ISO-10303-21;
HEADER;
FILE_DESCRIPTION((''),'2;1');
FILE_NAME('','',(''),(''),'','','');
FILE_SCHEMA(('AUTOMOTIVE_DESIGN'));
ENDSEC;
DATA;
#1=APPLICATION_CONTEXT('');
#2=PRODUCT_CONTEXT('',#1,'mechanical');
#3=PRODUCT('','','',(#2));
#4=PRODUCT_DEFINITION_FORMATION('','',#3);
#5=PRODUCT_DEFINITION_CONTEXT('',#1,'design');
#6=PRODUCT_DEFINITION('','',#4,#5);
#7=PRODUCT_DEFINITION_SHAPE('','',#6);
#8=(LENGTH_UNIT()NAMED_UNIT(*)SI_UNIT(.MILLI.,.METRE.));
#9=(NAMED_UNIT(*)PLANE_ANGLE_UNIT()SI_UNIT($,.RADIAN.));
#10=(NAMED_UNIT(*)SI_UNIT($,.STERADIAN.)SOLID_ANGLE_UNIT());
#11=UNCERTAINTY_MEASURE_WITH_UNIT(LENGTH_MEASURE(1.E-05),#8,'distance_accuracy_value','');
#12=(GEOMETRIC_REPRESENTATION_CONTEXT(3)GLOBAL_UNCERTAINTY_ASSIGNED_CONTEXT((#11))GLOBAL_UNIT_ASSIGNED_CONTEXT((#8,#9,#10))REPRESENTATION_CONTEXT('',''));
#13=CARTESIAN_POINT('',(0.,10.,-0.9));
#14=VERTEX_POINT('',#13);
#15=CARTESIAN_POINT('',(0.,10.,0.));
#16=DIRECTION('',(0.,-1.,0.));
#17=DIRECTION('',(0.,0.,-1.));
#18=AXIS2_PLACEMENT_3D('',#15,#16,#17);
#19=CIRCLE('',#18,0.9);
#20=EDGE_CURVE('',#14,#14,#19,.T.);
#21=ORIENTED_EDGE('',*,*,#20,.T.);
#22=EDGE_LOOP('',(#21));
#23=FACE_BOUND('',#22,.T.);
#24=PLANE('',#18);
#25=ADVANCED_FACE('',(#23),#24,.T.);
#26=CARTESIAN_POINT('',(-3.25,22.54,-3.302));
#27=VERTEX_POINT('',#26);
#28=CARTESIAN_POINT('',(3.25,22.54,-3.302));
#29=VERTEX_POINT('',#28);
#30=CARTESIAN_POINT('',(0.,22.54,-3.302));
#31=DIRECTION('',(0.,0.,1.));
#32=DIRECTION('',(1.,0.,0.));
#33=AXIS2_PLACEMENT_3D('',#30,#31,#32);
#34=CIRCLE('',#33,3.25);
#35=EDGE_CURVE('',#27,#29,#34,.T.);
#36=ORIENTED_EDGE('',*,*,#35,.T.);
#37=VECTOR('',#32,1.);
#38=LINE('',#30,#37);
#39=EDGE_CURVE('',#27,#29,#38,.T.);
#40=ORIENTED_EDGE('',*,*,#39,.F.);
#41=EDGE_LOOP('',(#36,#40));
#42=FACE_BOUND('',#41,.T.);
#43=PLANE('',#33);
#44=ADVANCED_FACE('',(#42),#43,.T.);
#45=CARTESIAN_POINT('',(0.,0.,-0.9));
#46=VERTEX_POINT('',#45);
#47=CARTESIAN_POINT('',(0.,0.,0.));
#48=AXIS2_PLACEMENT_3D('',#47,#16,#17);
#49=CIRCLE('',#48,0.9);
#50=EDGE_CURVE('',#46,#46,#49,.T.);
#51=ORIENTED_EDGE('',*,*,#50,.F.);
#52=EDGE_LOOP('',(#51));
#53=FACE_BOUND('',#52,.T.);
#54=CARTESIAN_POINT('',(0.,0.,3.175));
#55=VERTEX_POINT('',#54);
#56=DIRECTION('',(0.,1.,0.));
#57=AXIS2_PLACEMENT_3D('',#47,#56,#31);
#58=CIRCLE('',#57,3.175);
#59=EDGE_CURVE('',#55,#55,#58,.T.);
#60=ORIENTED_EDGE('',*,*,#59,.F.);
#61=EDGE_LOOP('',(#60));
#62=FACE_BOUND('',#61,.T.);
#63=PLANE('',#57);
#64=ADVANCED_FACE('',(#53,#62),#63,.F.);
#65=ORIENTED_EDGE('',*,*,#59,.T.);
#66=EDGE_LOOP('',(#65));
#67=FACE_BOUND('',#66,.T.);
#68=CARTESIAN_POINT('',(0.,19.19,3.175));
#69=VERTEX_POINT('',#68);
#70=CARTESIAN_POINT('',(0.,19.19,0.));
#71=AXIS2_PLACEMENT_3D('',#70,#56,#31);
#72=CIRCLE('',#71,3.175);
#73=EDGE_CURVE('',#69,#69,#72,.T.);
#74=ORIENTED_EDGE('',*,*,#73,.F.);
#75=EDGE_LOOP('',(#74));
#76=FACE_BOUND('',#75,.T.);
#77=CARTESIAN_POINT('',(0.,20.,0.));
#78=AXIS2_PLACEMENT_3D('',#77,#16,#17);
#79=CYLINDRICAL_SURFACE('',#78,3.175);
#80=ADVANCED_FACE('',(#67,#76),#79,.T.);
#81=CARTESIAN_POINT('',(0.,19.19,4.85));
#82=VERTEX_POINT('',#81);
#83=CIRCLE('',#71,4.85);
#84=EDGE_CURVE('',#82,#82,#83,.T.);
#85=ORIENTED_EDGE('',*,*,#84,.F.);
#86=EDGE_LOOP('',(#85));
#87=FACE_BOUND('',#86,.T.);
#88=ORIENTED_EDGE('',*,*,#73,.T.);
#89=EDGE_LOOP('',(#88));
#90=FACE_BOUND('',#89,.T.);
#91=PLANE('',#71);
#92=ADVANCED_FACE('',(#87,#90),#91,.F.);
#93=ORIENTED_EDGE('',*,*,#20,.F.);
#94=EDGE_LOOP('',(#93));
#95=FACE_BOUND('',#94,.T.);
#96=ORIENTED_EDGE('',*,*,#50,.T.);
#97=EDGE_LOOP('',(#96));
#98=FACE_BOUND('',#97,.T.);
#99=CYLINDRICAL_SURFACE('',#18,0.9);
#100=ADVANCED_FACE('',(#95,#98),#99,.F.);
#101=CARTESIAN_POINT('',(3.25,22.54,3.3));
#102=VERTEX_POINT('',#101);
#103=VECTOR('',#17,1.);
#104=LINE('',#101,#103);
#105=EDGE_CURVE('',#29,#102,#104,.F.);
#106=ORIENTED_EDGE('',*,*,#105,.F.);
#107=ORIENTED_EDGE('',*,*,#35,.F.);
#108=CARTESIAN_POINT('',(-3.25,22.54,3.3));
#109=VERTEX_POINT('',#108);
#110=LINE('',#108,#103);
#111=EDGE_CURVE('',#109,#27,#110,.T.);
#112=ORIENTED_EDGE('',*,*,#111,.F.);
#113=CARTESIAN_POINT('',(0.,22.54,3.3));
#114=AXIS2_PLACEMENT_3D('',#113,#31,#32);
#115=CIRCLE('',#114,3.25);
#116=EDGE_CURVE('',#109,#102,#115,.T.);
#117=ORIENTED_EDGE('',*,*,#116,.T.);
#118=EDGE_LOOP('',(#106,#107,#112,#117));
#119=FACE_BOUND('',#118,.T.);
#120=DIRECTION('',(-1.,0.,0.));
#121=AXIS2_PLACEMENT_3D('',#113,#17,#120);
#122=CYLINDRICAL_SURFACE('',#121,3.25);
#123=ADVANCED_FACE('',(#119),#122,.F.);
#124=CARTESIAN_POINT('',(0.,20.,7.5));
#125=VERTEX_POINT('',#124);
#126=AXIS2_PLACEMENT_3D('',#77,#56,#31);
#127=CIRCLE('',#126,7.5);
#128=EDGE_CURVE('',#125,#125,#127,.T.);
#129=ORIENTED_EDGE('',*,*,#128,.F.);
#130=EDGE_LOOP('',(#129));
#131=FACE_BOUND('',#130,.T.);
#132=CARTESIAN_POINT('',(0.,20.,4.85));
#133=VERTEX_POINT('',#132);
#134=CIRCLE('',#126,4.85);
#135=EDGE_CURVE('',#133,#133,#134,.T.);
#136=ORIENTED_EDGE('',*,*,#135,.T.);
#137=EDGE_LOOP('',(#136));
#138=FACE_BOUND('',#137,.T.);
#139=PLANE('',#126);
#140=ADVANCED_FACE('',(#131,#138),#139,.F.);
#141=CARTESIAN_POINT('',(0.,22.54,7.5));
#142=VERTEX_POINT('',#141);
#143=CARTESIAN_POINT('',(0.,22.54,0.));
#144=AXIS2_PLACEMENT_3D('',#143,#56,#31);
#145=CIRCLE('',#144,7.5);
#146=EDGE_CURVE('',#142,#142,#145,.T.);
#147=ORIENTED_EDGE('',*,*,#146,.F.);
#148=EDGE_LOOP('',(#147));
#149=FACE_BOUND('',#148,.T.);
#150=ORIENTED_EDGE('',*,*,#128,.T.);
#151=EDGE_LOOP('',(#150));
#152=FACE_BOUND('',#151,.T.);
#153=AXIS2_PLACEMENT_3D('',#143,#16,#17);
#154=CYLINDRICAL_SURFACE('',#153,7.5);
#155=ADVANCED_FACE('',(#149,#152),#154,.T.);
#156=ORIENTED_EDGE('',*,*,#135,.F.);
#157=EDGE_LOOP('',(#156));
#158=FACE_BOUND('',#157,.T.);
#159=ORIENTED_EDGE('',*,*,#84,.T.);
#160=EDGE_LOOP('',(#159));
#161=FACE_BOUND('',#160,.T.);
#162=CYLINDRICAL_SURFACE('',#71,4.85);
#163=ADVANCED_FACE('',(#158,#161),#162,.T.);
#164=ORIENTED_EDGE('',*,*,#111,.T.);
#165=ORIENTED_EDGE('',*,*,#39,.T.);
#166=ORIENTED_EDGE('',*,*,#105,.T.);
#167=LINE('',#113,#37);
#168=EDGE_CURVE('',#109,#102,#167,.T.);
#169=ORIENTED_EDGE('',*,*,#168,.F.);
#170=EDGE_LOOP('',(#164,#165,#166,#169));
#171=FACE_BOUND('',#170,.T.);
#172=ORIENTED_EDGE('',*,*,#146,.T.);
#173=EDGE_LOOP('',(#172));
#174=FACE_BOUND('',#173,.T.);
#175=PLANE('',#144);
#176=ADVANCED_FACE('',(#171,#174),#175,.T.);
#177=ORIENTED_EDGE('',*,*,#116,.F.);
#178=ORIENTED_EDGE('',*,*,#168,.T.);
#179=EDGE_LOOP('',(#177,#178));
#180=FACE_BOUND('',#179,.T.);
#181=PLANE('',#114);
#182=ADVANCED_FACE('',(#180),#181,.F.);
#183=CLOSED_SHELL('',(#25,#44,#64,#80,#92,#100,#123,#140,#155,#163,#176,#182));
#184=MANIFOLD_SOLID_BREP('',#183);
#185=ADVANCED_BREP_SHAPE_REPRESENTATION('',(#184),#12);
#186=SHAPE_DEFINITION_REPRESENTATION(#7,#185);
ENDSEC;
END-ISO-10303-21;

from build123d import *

# Parameters (mm, degrees)
SKETCH1_R               = 3.175
BOSS_EXTRUDE1_DEPTH     = 20
SKETCH2_R               = 0.9
CUT_EXTRUDE1_DEPTH      = 10
SKETCH4_R               = 7.5
BOSS_EXTRUDE2_DEPTH     = 2.54
SKETCH6_R               = 4.85
BOSS_EXTRUDE3_DEPTH     = 3.35
CUT_EXTRUDE3_DEPTH      = 3.3
CUT_EXTRUDE3_DEPTH_BACK = 3.302
SKETCH5_R               = 3.25


with BuildPart() as part:
    # Sketch1 → Boss-Extrude1 (new body)
    with BuildSketch(Plane(origin=(0, 0, 0), x_dir=(1, 0, 0), z_dir=(0, 1, 0))):
        with Locations(Location((0, 0, 0), (0, 0, 270))):
            Circle(SKETCH1_R)
    extrude(amount=BOSS_EXTRUDE1_DEPTH)

    # Sketch2 → Cut-Extrude1 (cut)
    with BuildSketch(Plane.XZ):
        with Locations(Location((0, 0, 0), (0, 0, 270))):
            Circle(SKETCH2_R)
    extrude(amount=-CUT_EXTRUDE1_DEPTH, mode=Mode.SUBTRACT)

    # Sketch4 → Boss-Extrude2 (add)
    with BuildSketch(Plane(origin=(0, 20, 0), x_dir=(1, 0, 0), z_dir=(0, 1, 0))):
        with Locations(Location((0, 0, 0), (0, 0, 270))):
            Circle(SKETCH4_R)
    extrude(amount=BOSS_EXTRUDE2_DEPTH)

    # Sketch6 → Boss-Extrude3 (add)
    with BuildSketch(Plane(origin=(0, 22.54, 0), x_dir=(1, 0, 0), z_dir=(0, 1, 0))):
        with Locations(Location((0, 0, 0), (0, 0, 270))):
            Circle(SKETCH6_R)
    extrude(amount=-BOSS_EXTRUDE3_DEPTH)

    # Sketch5 → Cut-Extrude3 (cut, two sides: drawn at the far end of the back side and taken through both)
    with BuildSketch(Plane.XY.offset(-CUT_EXTRUDE3_DEPTH_BACK)):
        with Locations((0, 22.54)):
            Circle(SKETCH5_R)
    extrude(amount=CUT_EXTRUDE3_DEPTH + CUT_EXTRUDE3_DEPTH_BACK, mode=Mode.SUBTRACT)


solid = part.part
